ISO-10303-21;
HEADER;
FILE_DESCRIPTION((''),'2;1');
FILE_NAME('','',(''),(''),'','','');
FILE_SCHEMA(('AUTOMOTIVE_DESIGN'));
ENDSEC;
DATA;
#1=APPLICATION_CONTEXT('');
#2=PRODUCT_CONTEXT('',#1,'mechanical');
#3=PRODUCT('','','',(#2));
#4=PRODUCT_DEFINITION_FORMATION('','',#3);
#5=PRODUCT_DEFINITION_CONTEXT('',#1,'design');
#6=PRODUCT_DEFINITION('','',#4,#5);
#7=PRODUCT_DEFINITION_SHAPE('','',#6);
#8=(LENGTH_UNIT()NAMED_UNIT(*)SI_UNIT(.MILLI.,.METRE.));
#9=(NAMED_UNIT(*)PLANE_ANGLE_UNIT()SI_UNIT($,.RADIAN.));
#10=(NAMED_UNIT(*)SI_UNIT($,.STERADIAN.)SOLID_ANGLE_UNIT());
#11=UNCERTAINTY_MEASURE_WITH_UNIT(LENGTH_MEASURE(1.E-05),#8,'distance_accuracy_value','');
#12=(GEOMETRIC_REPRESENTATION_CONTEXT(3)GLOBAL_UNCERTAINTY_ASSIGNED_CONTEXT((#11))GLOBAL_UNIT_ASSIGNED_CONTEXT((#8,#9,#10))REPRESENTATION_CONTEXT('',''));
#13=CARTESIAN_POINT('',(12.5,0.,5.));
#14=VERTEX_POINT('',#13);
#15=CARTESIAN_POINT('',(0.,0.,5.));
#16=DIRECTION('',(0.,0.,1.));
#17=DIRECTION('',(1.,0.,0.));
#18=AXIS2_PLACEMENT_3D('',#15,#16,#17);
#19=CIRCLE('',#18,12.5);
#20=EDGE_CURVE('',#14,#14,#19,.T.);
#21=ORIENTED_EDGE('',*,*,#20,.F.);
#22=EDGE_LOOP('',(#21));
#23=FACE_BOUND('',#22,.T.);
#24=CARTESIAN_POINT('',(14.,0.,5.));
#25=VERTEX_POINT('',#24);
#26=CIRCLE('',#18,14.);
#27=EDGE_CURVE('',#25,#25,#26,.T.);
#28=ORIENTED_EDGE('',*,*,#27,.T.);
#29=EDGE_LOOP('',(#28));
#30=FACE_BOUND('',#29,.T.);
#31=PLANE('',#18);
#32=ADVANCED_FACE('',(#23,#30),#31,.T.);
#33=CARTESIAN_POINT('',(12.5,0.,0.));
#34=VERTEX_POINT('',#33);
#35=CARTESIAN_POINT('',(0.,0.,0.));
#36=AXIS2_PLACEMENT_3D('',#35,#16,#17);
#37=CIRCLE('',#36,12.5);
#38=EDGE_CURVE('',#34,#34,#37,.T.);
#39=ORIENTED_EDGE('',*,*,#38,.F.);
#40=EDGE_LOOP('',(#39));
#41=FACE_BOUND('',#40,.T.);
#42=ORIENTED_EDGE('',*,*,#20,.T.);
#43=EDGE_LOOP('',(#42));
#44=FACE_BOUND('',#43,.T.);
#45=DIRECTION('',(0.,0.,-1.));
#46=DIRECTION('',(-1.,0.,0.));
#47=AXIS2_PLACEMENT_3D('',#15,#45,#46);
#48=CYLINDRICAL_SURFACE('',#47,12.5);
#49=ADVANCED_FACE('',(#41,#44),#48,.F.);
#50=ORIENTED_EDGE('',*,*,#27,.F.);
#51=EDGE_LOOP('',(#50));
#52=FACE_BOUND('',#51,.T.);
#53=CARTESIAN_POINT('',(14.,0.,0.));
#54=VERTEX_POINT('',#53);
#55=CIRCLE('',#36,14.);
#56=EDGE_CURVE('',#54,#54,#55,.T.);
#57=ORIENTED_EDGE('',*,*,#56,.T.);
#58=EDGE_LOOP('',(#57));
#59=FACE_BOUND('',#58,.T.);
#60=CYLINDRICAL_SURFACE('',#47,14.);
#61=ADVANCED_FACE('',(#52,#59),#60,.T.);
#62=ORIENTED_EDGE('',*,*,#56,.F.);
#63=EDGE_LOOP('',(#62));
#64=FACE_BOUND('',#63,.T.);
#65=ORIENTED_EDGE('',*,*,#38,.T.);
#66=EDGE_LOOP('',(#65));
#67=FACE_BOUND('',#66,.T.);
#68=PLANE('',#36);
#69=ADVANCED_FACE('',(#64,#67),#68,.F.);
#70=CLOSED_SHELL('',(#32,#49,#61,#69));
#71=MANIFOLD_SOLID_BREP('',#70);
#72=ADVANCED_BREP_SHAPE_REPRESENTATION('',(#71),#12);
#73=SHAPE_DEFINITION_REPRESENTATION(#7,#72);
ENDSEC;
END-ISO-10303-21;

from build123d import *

# Parameters (mm, degrees)
SKETCH1_R           = 14
SKETCH1_R_2         = 12.5
BOSS_EXTRUDE1_DEPTH = 5


with BuildPart() as part:
    # Sketch1 → Boss-Extrude1 (new body)
    with BuildSketch(Plane.XY):
        Circle(SKETCH1_R)
        Circle(SKETCH1_R_2, mode=Mode.SUBTRACT)
    extrude(amount=BOSS_EXTRUDE1_DEPTH)


solid = part.part
